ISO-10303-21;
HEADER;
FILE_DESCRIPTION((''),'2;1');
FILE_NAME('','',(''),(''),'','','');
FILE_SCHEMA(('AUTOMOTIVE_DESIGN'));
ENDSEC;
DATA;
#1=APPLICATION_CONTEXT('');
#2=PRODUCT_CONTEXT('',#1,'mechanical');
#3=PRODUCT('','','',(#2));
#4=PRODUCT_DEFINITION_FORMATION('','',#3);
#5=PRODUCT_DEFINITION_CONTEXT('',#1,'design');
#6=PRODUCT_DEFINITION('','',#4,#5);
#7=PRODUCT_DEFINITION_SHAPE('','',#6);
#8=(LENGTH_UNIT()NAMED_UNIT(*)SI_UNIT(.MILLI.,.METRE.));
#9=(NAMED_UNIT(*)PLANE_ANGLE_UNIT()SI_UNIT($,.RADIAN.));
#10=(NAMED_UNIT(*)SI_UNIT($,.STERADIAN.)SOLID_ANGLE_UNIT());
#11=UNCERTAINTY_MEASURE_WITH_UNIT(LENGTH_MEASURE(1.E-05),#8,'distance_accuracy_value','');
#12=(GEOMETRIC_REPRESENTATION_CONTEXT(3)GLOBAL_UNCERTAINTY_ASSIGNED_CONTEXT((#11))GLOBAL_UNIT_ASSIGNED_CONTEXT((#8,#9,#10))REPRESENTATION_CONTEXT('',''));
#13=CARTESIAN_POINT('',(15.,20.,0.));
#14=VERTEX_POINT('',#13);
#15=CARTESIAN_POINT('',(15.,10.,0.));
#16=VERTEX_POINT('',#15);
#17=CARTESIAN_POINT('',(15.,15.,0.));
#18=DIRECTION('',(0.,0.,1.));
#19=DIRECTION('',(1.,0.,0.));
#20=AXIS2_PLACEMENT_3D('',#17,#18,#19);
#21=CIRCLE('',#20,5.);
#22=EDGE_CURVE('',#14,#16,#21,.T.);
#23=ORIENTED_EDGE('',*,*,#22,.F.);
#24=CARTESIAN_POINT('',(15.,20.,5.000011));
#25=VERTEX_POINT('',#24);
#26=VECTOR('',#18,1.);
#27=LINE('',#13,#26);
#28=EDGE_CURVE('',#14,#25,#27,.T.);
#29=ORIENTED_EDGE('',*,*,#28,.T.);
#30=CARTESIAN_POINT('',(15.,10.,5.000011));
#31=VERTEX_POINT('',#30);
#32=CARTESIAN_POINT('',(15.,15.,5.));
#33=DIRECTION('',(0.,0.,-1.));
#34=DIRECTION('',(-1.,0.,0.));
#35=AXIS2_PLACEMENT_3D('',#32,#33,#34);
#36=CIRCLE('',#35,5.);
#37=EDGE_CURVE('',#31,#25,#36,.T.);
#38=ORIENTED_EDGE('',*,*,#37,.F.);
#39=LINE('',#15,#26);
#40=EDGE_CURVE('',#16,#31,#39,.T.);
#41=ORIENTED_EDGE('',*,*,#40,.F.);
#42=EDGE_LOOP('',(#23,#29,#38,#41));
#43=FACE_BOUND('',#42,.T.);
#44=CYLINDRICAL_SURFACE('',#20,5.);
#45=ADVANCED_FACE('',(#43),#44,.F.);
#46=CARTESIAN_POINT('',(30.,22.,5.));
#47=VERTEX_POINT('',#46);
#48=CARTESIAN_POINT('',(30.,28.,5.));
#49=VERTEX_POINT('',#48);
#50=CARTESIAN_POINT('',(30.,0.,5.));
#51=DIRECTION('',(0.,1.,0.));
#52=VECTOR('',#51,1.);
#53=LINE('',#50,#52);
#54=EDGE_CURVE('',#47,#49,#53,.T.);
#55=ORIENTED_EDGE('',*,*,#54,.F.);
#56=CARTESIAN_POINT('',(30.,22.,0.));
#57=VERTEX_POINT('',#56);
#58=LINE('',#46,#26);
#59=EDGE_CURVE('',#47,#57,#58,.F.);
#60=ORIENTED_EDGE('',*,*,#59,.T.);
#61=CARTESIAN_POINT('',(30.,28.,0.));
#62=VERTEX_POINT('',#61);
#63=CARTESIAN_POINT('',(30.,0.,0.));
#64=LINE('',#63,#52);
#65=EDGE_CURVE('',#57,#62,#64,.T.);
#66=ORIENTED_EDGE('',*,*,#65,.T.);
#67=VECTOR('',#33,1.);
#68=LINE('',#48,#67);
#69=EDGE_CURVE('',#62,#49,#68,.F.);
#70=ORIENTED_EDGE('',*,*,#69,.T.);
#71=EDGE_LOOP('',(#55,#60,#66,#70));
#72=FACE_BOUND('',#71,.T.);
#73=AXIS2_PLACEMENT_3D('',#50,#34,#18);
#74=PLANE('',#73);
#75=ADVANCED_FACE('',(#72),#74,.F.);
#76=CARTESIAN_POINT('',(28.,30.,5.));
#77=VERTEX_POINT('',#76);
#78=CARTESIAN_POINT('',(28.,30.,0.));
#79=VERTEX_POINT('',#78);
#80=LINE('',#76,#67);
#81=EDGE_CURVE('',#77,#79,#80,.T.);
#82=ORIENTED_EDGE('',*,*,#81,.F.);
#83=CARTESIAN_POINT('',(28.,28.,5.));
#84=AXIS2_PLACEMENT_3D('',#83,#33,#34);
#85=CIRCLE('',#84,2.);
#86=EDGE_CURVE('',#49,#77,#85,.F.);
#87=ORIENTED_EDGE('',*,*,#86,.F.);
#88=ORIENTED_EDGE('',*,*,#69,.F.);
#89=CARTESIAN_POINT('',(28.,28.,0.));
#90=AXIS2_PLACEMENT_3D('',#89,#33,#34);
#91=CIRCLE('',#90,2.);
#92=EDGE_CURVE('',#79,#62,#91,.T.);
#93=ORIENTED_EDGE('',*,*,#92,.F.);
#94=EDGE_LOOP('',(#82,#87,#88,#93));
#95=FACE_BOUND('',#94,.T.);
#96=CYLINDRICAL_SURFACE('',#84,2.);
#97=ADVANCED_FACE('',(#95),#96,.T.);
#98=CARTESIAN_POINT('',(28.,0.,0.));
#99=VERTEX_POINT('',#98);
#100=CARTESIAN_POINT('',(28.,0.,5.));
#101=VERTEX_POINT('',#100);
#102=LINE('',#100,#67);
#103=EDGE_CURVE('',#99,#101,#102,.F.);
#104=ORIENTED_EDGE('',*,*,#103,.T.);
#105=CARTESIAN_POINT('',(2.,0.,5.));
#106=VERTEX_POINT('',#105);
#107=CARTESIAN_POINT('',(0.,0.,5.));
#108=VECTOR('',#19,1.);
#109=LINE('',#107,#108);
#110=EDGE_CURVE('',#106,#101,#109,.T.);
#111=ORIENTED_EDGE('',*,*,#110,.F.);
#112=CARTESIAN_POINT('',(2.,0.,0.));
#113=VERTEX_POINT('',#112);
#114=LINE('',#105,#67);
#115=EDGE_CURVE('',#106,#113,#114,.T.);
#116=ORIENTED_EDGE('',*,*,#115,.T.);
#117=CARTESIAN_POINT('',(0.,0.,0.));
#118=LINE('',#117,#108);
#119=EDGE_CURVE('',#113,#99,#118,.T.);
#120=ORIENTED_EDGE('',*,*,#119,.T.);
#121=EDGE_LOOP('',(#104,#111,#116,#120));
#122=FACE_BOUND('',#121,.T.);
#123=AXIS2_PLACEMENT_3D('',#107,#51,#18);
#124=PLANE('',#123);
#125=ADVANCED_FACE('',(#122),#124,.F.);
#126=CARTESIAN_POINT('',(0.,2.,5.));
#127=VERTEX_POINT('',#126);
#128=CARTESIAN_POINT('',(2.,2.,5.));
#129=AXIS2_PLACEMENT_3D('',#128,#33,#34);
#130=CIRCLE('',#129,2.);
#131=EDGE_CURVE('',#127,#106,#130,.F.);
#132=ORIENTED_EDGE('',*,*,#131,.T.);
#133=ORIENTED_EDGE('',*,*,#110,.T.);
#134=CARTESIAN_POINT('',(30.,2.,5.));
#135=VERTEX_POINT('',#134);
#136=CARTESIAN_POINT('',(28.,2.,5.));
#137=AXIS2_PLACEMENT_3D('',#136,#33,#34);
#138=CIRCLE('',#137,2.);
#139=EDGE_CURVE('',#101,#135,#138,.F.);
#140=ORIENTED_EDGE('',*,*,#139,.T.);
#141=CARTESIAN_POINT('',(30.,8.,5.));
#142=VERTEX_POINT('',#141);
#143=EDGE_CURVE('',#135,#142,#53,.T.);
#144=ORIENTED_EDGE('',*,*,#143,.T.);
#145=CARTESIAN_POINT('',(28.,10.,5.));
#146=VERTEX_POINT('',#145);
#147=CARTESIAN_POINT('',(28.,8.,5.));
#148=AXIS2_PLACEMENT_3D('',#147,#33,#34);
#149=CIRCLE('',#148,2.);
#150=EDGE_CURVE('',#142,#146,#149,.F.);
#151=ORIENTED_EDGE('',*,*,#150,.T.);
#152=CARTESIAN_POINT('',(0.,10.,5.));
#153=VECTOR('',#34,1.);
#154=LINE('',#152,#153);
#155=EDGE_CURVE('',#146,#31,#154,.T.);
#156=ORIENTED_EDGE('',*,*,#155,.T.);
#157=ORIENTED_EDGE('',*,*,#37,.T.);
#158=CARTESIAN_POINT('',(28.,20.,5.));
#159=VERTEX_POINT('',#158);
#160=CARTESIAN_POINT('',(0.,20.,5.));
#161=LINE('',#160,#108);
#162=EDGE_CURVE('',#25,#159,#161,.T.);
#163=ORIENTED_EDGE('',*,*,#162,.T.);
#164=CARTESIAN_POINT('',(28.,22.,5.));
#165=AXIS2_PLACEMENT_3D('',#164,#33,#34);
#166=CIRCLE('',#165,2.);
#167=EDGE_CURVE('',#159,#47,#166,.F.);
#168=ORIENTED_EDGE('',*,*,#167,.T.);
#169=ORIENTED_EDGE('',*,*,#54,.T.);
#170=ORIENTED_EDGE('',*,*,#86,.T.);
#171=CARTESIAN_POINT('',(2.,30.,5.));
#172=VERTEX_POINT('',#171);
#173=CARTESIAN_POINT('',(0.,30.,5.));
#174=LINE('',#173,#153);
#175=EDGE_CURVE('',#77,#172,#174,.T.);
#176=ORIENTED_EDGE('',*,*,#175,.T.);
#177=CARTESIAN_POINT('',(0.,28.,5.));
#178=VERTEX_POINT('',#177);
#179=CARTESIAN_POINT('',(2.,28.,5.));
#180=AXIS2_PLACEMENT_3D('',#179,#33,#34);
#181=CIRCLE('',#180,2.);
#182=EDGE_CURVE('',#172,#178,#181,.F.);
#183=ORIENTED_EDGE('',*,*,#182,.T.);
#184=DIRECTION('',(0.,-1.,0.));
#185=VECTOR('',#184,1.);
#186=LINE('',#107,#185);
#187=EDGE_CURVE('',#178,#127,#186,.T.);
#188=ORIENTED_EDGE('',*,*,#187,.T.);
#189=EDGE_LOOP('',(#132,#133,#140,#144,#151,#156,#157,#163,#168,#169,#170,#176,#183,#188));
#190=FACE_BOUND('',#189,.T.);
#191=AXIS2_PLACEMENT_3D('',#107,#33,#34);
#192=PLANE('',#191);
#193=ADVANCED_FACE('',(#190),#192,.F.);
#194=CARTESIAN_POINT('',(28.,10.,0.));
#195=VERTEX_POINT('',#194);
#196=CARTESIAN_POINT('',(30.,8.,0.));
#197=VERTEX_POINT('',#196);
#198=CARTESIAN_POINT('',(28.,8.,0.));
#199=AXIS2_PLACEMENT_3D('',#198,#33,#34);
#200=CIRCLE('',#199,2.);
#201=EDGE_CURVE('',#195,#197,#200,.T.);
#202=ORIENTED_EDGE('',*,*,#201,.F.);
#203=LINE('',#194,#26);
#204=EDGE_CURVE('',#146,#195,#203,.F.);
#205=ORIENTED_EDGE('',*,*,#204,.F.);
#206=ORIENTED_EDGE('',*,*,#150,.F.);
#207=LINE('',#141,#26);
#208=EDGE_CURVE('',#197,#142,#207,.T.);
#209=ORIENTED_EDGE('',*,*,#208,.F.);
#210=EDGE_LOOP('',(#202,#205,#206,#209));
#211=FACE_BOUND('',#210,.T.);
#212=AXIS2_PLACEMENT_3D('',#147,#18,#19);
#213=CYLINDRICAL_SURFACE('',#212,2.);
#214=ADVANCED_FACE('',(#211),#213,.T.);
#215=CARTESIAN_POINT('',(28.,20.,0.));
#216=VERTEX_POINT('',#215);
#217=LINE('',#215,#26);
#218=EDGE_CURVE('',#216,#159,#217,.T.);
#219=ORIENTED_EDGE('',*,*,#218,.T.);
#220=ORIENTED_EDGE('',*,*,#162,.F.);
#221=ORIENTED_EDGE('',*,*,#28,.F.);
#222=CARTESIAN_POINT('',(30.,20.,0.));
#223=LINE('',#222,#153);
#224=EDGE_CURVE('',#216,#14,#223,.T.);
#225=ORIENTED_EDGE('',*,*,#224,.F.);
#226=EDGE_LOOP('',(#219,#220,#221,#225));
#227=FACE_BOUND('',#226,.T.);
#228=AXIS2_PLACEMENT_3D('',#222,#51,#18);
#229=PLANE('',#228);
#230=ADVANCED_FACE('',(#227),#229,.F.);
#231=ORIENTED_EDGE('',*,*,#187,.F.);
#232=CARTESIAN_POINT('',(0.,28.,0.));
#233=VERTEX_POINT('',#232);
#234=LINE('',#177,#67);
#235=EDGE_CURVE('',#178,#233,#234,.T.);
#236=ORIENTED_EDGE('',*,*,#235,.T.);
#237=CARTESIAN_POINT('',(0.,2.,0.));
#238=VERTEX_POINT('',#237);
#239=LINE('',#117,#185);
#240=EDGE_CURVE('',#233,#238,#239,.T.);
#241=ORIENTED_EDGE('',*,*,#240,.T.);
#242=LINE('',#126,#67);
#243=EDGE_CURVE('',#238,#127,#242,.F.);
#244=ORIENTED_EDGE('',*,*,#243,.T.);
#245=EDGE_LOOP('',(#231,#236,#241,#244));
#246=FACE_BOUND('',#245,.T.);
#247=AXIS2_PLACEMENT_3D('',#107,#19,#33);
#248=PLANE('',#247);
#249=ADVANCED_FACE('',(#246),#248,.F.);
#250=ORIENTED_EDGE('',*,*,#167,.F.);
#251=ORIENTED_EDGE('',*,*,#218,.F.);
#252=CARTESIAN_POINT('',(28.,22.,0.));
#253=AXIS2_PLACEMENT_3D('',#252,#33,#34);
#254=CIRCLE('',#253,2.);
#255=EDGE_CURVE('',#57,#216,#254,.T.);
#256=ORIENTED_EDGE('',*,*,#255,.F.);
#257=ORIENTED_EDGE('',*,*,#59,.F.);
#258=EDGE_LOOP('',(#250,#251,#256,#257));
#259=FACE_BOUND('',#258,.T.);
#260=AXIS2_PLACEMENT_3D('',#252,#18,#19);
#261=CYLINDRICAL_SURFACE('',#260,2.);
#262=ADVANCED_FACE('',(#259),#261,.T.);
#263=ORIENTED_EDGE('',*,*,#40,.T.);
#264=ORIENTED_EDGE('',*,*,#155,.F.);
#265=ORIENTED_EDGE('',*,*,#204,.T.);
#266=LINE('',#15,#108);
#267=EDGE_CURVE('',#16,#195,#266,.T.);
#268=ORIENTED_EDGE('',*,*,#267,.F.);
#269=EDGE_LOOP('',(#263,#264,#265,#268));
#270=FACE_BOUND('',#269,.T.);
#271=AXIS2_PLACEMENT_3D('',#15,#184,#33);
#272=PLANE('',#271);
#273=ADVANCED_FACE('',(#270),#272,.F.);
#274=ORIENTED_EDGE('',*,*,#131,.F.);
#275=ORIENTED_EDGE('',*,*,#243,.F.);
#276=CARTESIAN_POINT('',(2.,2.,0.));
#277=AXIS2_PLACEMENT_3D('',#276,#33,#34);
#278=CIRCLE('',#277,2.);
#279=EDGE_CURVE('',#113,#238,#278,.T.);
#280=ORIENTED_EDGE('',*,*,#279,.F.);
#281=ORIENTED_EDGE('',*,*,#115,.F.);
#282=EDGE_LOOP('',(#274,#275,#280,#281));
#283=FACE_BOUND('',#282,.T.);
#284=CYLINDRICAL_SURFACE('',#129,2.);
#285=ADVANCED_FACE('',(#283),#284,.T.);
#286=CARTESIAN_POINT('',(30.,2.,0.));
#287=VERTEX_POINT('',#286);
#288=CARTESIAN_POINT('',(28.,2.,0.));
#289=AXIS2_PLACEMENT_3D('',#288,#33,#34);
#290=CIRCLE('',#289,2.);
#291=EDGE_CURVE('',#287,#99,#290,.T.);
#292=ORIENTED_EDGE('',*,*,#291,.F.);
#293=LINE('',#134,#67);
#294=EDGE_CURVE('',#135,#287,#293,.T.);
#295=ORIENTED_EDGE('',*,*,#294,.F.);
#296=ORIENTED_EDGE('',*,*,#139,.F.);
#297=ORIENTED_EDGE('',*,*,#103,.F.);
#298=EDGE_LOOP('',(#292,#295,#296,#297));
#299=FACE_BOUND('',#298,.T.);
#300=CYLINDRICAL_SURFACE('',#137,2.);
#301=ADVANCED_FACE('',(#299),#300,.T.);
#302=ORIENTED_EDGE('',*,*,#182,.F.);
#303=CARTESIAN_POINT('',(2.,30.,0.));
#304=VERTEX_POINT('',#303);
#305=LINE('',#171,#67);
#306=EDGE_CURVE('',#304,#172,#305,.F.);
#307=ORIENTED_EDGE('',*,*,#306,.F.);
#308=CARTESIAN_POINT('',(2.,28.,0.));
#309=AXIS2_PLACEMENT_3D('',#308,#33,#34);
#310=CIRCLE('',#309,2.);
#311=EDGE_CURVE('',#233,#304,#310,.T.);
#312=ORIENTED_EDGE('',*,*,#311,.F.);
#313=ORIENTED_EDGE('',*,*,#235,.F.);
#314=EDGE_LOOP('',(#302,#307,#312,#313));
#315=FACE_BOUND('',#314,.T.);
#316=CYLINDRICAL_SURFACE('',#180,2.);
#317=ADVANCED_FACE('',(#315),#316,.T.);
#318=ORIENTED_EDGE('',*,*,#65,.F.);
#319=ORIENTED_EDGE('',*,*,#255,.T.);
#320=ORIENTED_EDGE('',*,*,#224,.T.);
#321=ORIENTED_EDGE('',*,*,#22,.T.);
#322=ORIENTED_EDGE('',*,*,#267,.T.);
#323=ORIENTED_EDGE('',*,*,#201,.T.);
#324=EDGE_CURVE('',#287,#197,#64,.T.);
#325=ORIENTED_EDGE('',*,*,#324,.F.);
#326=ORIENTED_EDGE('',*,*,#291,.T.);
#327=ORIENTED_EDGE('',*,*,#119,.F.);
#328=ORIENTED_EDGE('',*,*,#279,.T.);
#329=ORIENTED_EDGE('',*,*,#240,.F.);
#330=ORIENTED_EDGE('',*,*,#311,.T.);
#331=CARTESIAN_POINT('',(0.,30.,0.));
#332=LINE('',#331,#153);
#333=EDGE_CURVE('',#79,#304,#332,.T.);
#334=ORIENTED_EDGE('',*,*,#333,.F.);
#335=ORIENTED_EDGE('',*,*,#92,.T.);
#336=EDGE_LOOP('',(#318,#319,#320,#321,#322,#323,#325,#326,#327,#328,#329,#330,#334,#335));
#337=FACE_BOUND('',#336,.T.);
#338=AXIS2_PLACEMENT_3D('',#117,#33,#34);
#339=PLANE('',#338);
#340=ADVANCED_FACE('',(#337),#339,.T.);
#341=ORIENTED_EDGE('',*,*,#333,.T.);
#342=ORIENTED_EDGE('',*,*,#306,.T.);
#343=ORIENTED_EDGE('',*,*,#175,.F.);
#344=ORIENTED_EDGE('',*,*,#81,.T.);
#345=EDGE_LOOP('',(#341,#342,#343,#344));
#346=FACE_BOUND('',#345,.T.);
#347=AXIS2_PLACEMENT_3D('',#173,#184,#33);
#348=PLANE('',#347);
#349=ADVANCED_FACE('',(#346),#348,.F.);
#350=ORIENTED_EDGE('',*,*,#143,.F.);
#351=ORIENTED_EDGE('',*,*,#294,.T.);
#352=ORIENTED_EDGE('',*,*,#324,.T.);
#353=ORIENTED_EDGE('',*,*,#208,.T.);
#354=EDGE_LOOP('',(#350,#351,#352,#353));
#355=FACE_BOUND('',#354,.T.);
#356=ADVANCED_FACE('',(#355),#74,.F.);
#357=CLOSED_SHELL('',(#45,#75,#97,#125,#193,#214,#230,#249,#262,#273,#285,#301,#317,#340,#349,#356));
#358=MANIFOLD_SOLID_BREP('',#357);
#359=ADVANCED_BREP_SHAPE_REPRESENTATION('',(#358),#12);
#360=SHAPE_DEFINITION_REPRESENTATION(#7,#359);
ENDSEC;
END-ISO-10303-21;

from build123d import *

# Parameters (mm, degrees)
ESQUISSE1_W                  = 30
ESQUISSE1_H                  = 30
BOSS_EXTRU_1_DEPTH           = 5
ENL_V_MAT_EXTRU_1_DEPTH      = 43.720018727
ENL_V_MAT_EXTRU_1_DEPTH_BACK = 43.720018727
ESQUISSE2_R                  = 5
ENL_V_MAT_EXTRU_2_DEPTH      = 43.720018727
ENL_V_MAT_EXTRU_2_DEPTH_BACK = 43.720018727
ESQUISSE3_W                  = 15
ESQUISSE3_H                  = 10
CONG_1_R                     = 2


with BuildPart() as part:
    # Esquisse1 → Boss.-Extru.1 (new body)
    with BuildSketch(Plane.XY):
        with Locations((15, 15)):
            Rectangle(ESQUISSE1_W, ESQUISSE1_H)
    extrude(amount=BOSS_EXTRU_1_DEPTH)

    # Esquisse2 → Enlèv. mat.-Extru.1 (cut, two sides: drawn at the far end of the back side and taken through both)
    with BuildSketch(Plane.XY.offset(5).offset(-ENL_V_MAT_EXTRU_1_DEPTH_BACK)):
        with Locations((15, 15)):
            Circle(ESQUISSE2_R)
    extrude(amount=ENL_V_MAT_EXTRU_1_DEPTH + ENL_V_MAT_EXTRU_1_DEPTH_BACK, mode=Mode.SUBTRACT)

    # Esquisse3 → Enlèv. mat.-Extru.2 (cut, two sides: drawn at the far end of the back side and taken through both)
    with BuildSketch(Plane.XY.offset(5).offset(-ENL_V_MAT_EXTRU_2_DEPTH_BACK)):
        with Locations((22.5, 15)):
            Rectangle(ESQUISSE3_W, ESQUISSE3_H)
    extrude(amount=ENL_V_MAT_EXTRU_2_DEPTH + ENL_V_MAT_EXTRU_2_DEPTH_BACK, mode=Mode.SUBTRACT)

    # Congé1
    cong_1_edges = [part.edges().sort_by_distance(p)[0] for p in [
        (30, 10, 2.5),
        (30, 20, 2.5),
        (30, 30, 2.5),
        (30, 0, 2.5),
        (0, 0, 2.5),
        (0, 30, 2.5),
    ]]
    fillet(cong_1_edges, radius=CONG_1_R)


solid = part.part
